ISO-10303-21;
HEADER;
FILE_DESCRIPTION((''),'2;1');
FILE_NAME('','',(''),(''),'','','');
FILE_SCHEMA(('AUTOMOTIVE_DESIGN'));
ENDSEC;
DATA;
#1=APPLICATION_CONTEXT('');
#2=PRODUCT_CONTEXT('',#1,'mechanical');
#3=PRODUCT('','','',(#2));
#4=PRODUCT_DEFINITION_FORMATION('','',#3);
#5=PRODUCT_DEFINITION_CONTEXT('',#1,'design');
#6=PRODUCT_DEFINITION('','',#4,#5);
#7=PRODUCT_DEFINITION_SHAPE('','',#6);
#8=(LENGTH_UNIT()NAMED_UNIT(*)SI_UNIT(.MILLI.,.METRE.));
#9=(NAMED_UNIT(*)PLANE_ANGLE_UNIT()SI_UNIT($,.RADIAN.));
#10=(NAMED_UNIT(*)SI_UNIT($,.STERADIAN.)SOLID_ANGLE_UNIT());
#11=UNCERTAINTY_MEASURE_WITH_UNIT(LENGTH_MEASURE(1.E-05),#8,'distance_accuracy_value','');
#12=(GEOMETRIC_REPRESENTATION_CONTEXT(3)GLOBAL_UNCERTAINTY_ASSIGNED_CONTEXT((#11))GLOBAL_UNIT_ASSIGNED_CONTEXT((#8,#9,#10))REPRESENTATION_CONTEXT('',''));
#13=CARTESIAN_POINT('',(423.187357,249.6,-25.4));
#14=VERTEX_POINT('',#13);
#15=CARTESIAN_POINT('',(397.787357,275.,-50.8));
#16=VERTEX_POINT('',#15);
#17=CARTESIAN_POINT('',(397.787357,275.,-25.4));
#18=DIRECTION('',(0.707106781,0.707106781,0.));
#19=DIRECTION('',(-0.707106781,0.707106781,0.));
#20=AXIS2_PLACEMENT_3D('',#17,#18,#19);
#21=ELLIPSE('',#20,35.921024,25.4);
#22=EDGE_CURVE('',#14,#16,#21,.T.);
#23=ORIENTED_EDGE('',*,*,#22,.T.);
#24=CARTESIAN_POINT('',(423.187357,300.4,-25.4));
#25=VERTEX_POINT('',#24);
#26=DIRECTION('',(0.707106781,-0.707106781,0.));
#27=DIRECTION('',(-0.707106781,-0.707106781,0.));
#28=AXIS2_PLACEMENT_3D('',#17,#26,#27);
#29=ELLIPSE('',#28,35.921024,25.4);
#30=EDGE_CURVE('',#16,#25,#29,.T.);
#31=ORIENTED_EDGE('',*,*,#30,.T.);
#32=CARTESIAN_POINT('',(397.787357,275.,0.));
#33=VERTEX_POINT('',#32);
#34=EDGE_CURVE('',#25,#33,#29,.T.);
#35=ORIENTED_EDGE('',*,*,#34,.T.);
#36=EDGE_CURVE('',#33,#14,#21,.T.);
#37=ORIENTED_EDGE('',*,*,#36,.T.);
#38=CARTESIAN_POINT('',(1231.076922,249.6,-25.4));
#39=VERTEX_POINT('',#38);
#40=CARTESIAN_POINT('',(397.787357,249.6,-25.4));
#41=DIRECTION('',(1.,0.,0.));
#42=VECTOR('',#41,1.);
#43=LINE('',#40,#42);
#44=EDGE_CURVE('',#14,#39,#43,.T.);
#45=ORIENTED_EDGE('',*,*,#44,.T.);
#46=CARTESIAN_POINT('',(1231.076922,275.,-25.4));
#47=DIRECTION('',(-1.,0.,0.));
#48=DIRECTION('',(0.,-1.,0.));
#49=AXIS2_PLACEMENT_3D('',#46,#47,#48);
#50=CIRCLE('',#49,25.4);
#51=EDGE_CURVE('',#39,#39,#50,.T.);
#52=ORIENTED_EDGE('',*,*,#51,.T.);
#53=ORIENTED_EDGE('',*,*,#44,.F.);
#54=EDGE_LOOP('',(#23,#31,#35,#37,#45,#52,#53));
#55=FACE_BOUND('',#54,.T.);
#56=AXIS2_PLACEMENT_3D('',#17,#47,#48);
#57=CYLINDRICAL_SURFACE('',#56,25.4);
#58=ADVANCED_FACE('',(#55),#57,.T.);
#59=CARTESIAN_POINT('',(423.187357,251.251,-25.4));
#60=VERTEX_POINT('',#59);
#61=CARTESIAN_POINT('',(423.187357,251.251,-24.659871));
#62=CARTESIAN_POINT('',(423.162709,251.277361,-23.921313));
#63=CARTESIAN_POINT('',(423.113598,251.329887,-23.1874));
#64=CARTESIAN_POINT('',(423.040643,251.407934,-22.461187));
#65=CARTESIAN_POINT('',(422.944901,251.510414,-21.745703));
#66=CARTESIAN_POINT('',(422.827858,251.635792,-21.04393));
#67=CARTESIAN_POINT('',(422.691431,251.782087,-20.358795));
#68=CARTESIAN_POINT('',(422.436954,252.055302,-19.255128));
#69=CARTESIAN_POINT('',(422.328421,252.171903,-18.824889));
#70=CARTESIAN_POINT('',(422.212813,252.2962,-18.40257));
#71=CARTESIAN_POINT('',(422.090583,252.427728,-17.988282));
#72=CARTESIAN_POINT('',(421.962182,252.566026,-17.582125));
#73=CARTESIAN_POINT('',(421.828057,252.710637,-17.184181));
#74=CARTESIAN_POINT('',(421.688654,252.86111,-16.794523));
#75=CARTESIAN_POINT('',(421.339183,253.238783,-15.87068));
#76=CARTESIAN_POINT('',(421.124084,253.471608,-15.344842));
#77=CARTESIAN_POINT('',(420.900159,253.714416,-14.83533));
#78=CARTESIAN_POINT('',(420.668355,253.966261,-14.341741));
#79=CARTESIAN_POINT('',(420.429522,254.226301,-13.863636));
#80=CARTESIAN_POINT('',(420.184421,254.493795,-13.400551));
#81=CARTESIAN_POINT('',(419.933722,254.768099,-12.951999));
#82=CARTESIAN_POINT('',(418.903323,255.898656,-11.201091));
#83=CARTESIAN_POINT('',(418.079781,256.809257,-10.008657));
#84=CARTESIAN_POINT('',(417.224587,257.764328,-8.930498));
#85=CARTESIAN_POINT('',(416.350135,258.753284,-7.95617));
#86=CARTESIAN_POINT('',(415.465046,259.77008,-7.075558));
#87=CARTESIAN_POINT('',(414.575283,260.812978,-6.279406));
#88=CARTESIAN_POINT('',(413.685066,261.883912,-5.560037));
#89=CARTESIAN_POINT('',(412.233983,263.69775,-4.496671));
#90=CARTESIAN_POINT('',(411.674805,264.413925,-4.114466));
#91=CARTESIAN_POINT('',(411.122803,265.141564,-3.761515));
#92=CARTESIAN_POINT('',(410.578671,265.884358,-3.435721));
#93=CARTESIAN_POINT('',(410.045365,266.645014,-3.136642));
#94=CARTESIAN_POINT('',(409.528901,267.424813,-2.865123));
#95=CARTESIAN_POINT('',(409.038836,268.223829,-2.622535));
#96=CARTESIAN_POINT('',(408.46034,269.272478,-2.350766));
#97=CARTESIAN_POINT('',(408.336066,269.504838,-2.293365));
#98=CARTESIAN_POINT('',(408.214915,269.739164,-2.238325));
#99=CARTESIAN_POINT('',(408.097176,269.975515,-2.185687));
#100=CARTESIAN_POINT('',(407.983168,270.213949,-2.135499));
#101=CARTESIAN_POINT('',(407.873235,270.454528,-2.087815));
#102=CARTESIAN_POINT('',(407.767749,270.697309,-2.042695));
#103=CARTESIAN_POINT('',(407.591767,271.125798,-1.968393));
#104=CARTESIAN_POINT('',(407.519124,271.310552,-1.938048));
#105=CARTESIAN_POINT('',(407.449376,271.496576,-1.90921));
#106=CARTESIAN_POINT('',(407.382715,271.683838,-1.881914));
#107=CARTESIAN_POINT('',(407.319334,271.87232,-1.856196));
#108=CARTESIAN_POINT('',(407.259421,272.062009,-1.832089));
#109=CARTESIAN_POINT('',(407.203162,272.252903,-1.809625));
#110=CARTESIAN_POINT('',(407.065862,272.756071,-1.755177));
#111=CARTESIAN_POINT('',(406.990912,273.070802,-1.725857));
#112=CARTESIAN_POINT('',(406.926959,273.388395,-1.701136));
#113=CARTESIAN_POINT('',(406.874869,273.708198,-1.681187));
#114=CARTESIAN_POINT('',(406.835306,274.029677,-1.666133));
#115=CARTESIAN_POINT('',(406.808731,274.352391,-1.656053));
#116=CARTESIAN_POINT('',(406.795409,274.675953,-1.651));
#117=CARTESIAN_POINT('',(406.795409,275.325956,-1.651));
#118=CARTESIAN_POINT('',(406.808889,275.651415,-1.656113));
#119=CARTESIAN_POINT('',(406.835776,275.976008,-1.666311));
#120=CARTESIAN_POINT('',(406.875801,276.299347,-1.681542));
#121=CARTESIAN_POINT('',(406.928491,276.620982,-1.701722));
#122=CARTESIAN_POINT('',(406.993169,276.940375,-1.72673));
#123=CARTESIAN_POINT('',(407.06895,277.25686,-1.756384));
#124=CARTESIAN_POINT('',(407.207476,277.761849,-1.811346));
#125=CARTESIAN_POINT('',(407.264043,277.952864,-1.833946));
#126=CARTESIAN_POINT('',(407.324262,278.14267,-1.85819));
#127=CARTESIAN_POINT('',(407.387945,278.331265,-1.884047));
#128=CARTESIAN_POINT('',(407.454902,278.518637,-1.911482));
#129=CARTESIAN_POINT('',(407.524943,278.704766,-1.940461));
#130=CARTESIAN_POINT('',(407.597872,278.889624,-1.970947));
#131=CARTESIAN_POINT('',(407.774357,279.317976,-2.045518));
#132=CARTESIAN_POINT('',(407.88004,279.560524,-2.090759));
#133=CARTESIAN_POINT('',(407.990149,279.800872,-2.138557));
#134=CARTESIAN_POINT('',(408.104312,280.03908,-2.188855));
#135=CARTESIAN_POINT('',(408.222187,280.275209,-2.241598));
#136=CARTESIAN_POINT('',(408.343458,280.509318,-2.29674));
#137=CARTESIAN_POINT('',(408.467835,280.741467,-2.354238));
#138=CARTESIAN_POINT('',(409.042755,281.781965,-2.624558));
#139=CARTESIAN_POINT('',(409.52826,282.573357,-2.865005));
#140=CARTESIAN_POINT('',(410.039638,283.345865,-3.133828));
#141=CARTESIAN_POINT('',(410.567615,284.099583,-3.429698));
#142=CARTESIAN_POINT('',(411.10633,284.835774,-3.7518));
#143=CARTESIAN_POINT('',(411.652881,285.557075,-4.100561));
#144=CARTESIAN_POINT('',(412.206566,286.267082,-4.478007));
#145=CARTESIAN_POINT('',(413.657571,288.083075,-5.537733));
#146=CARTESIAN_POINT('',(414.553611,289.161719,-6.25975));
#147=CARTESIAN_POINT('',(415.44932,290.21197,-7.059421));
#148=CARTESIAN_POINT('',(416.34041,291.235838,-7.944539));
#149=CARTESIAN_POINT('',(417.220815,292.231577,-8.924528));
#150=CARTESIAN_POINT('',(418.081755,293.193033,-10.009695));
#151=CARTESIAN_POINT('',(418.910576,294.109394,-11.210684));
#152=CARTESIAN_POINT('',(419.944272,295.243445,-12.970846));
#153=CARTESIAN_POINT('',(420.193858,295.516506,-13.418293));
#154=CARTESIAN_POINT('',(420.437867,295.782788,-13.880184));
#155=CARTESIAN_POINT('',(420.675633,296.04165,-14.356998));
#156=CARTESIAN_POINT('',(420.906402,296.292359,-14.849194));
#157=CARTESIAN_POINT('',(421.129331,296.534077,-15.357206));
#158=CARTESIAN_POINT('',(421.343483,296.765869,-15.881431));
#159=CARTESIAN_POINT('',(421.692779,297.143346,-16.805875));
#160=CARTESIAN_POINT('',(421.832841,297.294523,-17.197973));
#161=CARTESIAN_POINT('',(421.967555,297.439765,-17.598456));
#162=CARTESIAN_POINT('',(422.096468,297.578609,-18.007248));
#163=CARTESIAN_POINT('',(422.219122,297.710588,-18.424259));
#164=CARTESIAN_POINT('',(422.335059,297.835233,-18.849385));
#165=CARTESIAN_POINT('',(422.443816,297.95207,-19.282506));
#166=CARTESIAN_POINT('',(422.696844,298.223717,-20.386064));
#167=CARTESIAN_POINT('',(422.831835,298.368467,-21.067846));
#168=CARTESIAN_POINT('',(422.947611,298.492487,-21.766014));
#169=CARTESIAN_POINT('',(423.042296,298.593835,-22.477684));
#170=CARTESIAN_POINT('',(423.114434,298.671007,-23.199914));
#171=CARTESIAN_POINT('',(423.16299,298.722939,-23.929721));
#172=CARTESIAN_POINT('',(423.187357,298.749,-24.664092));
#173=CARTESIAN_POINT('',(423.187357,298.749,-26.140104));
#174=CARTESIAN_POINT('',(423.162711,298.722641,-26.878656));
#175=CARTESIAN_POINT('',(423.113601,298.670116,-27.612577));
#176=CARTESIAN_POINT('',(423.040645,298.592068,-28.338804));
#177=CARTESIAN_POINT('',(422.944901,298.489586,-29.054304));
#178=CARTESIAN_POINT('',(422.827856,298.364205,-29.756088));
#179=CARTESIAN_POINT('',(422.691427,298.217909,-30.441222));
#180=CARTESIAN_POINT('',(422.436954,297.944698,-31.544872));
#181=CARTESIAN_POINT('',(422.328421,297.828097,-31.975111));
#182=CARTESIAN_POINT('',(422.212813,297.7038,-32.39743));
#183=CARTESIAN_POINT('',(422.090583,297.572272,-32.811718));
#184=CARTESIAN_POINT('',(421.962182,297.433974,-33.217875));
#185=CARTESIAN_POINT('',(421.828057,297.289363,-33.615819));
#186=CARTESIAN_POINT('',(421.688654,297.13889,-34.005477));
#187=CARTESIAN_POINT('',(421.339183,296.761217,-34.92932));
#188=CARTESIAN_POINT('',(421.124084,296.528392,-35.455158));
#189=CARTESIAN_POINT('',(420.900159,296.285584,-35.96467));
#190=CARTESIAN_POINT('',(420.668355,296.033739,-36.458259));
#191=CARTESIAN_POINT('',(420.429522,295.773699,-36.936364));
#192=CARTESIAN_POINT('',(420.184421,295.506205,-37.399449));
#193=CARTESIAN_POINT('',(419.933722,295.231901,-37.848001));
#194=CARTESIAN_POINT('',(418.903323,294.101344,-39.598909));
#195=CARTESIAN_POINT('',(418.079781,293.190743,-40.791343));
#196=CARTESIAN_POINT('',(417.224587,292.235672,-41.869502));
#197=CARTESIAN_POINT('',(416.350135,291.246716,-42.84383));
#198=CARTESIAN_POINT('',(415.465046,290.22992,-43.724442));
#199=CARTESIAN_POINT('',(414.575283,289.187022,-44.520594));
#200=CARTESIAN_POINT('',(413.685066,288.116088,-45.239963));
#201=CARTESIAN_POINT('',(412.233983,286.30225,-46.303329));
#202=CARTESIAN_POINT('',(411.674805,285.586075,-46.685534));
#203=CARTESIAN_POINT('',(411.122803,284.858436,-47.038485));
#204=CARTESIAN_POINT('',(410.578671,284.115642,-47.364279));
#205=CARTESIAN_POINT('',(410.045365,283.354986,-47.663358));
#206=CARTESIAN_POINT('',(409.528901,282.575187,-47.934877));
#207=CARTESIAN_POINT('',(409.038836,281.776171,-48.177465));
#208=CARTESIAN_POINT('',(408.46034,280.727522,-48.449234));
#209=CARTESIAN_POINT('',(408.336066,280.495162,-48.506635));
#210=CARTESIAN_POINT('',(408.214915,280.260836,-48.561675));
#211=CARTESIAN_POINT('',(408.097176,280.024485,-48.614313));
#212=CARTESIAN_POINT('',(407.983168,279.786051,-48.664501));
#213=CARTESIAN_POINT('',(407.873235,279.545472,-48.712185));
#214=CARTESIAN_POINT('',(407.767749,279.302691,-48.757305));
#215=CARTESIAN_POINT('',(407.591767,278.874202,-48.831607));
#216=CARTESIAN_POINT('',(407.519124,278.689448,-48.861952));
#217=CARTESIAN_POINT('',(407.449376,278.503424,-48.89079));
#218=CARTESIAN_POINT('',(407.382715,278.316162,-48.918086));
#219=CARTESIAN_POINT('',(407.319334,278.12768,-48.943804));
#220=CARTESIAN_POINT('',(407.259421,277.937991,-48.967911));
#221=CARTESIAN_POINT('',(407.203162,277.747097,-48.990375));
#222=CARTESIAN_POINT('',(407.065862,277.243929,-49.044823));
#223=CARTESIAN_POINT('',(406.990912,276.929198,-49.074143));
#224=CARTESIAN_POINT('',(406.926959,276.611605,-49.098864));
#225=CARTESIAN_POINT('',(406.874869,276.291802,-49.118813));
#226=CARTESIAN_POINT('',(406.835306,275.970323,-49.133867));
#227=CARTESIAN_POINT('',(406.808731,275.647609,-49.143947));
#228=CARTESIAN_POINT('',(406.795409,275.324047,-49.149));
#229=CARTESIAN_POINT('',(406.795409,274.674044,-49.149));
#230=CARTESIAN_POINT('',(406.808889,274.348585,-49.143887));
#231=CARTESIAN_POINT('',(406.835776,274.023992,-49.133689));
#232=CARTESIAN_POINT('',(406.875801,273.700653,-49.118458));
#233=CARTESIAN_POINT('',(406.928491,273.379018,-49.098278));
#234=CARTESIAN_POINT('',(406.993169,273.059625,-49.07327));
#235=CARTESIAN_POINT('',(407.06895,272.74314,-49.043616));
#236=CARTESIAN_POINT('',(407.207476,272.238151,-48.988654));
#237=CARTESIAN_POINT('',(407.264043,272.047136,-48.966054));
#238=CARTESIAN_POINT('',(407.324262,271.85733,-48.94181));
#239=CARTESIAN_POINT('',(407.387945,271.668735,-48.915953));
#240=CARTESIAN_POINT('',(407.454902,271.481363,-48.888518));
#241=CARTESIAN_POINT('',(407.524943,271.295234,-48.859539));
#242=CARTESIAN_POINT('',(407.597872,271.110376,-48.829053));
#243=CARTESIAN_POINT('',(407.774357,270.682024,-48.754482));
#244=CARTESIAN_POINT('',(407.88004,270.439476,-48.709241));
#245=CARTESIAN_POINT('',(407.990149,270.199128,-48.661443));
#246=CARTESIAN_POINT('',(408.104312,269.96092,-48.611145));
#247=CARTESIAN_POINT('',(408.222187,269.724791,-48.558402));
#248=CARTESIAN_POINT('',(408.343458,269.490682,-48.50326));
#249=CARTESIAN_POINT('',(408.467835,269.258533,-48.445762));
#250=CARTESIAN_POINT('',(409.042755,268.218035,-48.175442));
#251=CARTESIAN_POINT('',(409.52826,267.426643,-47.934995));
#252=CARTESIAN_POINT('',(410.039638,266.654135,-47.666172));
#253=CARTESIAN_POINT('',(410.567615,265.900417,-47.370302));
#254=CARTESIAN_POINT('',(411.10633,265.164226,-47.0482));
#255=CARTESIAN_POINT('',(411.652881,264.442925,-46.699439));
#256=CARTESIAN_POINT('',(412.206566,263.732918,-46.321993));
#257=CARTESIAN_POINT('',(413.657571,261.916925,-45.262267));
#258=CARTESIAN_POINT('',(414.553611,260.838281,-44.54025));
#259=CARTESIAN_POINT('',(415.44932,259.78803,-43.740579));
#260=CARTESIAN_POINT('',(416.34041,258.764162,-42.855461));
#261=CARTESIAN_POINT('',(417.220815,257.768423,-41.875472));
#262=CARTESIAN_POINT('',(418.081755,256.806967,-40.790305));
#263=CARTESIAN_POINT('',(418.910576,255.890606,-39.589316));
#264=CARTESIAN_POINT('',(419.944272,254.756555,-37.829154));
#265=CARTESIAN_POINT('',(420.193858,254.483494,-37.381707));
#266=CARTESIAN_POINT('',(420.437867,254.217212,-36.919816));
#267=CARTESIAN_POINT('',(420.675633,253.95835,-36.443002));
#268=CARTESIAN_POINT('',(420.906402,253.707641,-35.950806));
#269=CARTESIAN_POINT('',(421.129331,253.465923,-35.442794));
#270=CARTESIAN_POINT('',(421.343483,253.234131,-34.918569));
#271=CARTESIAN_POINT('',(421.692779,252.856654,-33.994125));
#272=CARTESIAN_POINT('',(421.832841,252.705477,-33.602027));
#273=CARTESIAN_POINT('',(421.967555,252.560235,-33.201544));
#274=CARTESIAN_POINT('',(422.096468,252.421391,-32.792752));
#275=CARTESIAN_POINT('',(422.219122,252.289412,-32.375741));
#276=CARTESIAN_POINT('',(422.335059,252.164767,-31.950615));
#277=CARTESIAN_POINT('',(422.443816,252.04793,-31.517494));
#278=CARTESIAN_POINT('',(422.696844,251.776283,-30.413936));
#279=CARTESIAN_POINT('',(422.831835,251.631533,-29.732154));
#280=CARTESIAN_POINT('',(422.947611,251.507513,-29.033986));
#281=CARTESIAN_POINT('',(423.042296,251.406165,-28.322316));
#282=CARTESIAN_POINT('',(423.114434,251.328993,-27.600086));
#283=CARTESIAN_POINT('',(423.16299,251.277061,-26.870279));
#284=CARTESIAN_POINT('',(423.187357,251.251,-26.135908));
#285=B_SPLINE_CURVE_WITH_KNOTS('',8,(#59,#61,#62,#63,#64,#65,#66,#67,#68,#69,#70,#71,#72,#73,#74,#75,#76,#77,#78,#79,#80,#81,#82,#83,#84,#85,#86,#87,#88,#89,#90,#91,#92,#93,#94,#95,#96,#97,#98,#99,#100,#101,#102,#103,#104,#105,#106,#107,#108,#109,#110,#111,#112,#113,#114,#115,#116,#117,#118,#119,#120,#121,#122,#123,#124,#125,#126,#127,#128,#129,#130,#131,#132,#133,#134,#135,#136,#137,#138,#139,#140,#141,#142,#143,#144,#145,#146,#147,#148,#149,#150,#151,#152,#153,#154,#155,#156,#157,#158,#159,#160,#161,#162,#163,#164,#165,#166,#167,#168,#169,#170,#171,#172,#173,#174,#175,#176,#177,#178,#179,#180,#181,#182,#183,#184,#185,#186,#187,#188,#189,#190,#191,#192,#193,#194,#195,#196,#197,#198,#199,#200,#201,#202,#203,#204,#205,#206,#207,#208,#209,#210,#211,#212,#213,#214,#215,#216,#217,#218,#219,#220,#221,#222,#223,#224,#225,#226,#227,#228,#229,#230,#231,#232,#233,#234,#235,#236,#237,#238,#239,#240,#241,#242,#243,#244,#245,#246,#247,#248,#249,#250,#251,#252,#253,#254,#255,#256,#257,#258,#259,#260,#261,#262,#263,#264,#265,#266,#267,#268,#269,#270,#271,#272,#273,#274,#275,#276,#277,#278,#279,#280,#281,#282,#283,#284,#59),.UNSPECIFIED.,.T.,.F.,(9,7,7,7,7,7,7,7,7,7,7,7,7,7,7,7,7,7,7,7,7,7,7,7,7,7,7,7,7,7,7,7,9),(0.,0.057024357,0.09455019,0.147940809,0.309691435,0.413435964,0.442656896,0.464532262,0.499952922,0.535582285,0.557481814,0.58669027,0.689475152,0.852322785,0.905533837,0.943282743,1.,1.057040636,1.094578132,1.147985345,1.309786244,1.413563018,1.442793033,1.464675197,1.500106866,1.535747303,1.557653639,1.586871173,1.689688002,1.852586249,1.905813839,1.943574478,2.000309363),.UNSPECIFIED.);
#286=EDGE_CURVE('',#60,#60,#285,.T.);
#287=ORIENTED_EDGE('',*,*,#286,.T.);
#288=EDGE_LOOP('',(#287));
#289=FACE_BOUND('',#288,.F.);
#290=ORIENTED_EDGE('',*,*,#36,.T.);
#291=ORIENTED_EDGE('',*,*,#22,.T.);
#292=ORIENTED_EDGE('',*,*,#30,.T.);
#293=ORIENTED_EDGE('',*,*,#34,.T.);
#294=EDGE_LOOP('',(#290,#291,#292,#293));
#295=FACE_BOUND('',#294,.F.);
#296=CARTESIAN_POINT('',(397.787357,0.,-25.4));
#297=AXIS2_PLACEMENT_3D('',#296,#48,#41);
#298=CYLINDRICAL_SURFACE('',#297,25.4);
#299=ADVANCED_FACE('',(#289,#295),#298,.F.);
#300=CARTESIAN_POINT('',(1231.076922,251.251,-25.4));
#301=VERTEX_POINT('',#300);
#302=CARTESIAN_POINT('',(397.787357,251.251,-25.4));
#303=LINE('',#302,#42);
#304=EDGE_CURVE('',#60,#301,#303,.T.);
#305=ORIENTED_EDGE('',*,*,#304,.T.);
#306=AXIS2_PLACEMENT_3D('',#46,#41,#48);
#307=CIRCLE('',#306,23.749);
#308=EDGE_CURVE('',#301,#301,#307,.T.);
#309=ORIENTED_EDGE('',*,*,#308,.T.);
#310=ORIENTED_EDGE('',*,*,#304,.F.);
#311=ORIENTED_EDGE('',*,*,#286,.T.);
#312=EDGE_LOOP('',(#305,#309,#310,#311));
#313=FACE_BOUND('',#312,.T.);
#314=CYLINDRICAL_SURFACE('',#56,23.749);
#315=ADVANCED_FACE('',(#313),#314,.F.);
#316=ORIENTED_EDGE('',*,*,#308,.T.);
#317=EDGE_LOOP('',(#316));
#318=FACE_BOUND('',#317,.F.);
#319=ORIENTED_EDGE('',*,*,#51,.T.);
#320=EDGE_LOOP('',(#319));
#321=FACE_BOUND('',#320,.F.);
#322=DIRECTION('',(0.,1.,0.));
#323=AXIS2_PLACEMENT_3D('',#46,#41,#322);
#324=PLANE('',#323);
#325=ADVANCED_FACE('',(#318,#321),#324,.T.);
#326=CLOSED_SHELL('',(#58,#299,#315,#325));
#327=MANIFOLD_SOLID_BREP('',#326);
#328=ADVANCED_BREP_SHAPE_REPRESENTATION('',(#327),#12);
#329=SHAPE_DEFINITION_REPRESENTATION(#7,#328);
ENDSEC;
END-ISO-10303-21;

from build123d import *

# Parameters (mm, degrees)
SKETCH004_R          = 25.4
PAD002_DEPTH         = 833.289565
SKETCH013_R          = 23.749
POCKET004_DEPTH      = 833.290565
SKETCH012_R          = 25.4
POCKET005_DEPTH      = 0.001
POCKET005_DEPTH_BACK = 300.401


with BuildPart() as cargo_side_tube_r:
    # Sketch004 → Pad002 (new body)
    with BuildSketch(Plane.YZ):
        with Locations((-275, -25.4)):
            Circle(SKETCH004_R)
    extrude(amount=PAD002_DEPTH)

    # Sketch013 (on Face2 of Pad002) → Pocket004 (cut, through all)
    with BuildSketch(Plane(origin=(0, 0, 0), x_dir=(0, 1, 0), z_dir=(-1, 0, 0))):
        with Locations((-275, 25.4)):
            Circle(SKETCH013_R)
    extrude(amount=-POCKET004_DEPTH, mode=Mode.SUBTRACT)

    # Sketch012 → Pocket005 (cut, two sides)
    with BuildSketch(Plane.XZ) as pocket005_sk:
        with Locations((0, -25.4)):
            Circle(SKETCH012_R)
    extrude(amount=-POCKET005_DEPTH, mode=Mode.SUBTRACT)
    extrude(pocket005_sk.sketch, amount=POCKET005_DEPTH_BACK, mode=Mode.SUBTRACT)


with BuildPart() as cargo_side_tube_r_1:
    # Body002 placement: moved
    add(cargo_side_tube_r.part.moved(Location((397.787357, 0, 0))))


with BuildPart() as cargo_side_tube_l:
    # Part__Mirroring: instance of cargo_side_tube_r
    add(cargo_side_tube_r_1.part.mirror(Plane(origin=(0, 0, 0), x_dir=(1, 0, 0), z_dir=(0, 1, 0))))


solid = cargo_side_tube_l.part
